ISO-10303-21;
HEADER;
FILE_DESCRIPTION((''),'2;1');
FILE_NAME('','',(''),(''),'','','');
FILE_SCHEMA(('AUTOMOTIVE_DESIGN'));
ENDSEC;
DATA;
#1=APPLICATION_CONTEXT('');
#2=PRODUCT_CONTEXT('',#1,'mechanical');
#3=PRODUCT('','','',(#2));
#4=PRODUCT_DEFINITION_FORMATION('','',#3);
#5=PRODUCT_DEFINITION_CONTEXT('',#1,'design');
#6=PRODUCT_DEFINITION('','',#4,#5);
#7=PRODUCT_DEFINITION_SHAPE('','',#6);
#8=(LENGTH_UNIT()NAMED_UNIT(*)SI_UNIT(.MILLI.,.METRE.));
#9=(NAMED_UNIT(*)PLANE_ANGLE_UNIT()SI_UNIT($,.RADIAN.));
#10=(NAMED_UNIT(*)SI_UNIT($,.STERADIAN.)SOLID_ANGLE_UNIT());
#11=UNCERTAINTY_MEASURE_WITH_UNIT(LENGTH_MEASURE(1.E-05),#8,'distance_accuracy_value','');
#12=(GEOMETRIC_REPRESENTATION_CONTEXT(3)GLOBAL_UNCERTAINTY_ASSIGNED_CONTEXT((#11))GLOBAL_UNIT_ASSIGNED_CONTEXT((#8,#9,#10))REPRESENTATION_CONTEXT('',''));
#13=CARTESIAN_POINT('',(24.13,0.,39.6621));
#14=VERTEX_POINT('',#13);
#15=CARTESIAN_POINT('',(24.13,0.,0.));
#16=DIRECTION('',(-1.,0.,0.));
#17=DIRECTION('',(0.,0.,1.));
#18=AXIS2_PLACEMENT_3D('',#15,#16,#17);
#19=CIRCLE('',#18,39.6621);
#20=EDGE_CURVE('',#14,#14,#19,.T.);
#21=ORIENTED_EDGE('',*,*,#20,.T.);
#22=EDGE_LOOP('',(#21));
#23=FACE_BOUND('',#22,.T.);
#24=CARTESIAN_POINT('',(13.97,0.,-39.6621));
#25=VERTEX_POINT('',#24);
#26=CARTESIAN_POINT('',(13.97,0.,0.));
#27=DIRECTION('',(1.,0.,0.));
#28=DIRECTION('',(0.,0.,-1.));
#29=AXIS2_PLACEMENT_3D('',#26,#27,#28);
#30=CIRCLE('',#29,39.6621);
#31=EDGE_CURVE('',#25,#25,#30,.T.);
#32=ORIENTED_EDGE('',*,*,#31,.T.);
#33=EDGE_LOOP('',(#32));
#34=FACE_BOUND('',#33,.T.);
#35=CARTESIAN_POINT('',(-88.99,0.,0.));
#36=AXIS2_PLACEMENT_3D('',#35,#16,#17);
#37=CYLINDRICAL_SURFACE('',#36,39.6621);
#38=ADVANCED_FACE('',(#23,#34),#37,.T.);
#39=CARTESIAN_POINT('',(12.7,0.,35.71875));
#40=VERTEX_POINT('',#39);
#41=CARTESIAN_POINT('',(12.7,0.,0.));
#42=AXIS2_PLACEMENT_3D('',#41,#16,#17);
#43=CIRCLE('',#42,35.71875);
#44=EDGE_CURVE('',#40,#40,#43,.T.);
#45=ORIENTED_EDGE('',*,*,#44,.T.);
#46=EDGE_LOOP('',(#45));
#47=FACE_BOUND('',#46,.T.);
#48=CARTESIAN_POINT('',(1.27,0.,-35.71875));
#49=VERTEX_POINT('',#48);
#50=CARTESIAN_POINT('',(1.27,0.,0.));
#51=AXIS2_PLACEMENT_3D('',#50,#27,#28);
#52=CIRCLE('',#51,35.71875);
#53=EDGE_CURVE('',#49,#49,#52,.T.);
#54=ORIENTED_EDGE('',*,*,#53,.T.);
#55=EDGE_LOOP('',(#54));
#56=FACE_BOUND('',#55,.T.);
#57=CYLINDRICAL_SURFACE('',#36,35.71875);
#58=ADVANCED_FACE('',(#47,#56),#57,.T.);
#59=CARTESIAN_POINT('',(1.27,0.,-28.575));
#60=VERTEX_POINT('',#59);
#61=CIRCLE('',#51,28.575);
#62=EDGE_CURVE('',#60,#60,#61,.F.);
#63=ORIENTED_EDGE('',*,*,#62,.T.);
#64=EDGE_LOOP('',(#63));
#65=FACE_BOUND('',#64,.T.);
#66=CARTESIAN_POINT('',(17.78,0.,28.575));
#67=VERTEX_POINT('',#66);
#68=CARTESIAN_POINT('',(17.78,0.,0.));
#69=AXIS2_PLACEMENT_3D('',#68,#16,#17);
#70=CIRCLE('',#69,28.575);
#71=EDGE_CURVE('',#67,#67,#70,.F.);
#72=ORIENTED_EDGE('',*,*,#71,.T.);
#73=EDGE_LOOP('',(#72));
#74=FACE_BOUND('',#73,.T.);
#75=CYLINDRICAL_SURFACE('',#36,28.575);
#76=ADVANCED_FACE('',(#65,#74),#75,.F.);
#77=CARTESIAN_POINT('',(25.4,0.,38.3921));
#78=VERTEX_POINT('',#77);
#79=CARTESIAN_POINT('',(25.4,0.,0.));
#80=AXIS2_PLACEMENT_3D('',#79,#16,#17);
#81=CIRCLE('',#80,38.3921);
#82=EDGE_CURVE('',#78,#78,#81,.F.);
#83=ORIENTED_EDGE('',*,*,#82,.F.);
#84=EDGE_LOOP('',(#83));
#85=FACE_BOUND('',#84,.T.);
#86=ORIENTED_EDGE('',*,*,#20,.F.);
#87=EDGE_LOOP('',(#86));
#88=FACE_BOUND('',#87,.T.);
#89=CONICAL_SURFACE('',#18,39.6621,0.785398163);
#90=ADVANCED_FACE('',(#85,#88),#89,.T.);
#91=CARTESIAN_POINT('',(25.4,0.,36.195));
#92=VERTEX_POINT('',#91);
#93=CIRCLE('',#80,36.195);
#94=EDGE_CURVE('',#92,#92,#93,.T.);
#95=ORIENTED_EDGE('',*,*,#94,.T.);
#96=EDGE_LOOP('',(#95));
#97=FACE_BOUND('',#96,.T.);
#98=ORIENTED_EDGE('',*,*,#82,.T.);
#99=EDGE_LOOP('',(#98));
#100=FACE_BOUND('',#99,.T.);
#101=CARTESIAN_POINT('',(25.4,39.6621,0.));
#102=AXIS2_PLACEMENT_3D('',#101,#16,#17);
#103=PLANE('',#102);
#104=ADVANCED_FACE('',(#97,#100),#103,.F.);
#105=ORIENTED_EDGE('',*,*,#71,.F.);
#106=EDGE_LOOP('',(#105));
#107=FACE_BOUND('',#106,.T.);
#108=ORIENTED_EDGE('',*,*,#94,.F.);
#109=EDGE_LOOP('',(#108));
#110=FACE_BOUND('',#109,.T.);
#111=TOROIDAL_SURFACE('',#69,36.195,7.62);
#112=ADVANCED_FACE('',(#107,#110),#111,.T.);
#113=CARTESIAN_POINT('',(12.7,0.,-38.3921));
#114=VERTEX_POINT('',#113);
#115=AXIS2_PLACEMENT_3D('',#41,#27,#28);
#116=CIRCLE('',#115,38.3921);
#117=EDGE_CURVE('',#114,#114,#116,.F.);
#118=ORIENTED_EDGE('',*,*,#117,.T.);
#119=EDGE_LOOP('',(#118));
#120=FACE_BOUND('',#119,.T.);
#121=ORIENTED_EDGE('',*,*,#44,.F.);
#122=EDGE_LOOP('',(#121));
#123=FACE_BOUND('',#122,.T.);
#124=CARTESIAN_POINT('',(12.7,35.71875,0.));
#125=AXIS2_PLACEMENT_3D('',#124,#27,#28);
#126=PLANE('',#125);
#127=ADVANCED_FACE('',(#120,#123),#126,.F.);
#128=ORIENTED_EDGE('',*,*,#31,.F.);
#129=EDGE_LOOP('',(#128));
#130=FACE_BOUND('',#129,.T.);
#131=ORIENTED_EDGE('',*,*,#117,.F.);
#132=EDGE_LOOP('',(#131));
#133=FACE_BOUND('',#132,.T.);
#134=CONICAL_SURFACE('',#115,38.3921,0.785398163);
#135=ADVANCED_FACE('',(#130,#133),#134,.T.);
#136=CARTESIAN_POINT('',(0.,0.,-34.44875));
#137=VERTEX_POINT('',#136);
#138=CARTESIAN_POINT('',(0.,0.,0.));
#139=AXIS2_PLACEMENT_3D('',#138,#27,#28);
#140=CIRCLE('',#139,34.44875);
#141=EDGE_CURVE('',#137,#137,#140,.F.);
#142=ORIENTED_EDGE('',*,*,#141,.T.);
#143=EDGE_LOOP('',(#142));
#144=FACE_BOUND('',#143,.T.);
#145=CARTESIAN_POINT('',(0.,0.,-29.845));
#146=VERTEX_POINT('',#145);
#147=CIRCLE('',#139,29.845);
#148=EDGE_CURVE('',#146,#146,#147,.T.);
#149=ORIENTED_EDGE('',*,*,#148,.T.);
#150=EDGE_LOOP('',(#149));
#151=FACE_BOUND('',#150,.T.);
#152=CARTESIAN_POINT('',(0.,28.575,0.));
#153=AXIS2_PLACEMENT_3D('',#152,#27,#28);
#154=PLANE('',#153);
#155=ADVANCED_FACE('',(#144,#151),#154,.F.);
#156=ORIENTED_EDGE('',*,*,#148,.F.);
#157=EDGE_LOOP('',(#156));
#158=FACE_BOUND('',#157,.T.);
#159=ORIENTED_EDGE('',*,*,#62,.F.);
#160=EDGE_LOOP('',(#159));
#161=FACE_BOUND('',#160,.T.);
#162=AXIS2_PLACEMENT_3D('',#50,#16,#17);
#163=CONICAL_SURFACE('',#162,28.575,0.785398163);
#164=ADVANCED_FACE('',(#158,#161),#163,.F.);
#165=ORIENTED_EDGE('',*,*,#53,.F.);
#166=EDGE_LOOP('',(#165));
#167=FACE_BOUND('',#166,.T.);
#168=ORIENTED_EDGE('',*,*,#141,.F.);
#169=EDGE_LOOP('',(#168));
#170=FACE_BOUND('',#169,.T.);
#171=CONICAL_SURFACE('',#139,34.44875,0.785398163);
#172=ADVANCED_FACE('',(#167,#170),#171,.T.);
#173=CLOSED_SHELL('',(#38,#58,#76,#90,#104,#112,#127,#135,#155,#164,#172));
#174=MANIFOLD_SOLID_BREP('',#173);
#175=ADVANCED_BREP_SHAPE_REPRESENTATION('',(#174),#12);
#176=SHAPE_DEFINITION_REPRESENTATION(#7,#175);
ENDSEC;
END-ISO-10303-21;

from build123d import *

# Parameters (mm, degrees)
CHAMFER1_SIZE = 1.27
FILLET1_R     = 7.62


with BuildPart() as part:
    # Sketch1 → Revolve1 (revolve)
    with BuildSketch(Plane.XY, mode=Mode.PRIVATE) as revolve1_sk:
        Polygon((0, 28.575), (0, 35.71875), (12.7, 35.71875), (12.7, 39.6621), (25.4, 39.6621), (25.4, 28.575), align=None)
    revolve(revolve1_sk.sketch.rotate(Axis((-88.99, 0, 0), (1, 0, 0)), 90), axis=Axis((-88.99, 0, 0), (1, 0, 0)))

    # Chamfer1
    chamfer1_edges = [part.edges().sort_by_distance(p)[0] for p in [
        (25.4, 0, -39.6621),
        (12.7, 0, -39.6621),
        (0, 0, -35.71875),
        (0, 0, -28.575),
    ]]
    chamfer(chamfer1_edges, length=CHAMFER1_SIZE)

    # Fillet1
    fillet1_edges = [part.edges().sort_by_distance(p)[0] for p in [
        (25.4, 0, -28.575),
    ]]
    fillet(fillet1_edges, radius=FILLET1_R)


solid = part.part
